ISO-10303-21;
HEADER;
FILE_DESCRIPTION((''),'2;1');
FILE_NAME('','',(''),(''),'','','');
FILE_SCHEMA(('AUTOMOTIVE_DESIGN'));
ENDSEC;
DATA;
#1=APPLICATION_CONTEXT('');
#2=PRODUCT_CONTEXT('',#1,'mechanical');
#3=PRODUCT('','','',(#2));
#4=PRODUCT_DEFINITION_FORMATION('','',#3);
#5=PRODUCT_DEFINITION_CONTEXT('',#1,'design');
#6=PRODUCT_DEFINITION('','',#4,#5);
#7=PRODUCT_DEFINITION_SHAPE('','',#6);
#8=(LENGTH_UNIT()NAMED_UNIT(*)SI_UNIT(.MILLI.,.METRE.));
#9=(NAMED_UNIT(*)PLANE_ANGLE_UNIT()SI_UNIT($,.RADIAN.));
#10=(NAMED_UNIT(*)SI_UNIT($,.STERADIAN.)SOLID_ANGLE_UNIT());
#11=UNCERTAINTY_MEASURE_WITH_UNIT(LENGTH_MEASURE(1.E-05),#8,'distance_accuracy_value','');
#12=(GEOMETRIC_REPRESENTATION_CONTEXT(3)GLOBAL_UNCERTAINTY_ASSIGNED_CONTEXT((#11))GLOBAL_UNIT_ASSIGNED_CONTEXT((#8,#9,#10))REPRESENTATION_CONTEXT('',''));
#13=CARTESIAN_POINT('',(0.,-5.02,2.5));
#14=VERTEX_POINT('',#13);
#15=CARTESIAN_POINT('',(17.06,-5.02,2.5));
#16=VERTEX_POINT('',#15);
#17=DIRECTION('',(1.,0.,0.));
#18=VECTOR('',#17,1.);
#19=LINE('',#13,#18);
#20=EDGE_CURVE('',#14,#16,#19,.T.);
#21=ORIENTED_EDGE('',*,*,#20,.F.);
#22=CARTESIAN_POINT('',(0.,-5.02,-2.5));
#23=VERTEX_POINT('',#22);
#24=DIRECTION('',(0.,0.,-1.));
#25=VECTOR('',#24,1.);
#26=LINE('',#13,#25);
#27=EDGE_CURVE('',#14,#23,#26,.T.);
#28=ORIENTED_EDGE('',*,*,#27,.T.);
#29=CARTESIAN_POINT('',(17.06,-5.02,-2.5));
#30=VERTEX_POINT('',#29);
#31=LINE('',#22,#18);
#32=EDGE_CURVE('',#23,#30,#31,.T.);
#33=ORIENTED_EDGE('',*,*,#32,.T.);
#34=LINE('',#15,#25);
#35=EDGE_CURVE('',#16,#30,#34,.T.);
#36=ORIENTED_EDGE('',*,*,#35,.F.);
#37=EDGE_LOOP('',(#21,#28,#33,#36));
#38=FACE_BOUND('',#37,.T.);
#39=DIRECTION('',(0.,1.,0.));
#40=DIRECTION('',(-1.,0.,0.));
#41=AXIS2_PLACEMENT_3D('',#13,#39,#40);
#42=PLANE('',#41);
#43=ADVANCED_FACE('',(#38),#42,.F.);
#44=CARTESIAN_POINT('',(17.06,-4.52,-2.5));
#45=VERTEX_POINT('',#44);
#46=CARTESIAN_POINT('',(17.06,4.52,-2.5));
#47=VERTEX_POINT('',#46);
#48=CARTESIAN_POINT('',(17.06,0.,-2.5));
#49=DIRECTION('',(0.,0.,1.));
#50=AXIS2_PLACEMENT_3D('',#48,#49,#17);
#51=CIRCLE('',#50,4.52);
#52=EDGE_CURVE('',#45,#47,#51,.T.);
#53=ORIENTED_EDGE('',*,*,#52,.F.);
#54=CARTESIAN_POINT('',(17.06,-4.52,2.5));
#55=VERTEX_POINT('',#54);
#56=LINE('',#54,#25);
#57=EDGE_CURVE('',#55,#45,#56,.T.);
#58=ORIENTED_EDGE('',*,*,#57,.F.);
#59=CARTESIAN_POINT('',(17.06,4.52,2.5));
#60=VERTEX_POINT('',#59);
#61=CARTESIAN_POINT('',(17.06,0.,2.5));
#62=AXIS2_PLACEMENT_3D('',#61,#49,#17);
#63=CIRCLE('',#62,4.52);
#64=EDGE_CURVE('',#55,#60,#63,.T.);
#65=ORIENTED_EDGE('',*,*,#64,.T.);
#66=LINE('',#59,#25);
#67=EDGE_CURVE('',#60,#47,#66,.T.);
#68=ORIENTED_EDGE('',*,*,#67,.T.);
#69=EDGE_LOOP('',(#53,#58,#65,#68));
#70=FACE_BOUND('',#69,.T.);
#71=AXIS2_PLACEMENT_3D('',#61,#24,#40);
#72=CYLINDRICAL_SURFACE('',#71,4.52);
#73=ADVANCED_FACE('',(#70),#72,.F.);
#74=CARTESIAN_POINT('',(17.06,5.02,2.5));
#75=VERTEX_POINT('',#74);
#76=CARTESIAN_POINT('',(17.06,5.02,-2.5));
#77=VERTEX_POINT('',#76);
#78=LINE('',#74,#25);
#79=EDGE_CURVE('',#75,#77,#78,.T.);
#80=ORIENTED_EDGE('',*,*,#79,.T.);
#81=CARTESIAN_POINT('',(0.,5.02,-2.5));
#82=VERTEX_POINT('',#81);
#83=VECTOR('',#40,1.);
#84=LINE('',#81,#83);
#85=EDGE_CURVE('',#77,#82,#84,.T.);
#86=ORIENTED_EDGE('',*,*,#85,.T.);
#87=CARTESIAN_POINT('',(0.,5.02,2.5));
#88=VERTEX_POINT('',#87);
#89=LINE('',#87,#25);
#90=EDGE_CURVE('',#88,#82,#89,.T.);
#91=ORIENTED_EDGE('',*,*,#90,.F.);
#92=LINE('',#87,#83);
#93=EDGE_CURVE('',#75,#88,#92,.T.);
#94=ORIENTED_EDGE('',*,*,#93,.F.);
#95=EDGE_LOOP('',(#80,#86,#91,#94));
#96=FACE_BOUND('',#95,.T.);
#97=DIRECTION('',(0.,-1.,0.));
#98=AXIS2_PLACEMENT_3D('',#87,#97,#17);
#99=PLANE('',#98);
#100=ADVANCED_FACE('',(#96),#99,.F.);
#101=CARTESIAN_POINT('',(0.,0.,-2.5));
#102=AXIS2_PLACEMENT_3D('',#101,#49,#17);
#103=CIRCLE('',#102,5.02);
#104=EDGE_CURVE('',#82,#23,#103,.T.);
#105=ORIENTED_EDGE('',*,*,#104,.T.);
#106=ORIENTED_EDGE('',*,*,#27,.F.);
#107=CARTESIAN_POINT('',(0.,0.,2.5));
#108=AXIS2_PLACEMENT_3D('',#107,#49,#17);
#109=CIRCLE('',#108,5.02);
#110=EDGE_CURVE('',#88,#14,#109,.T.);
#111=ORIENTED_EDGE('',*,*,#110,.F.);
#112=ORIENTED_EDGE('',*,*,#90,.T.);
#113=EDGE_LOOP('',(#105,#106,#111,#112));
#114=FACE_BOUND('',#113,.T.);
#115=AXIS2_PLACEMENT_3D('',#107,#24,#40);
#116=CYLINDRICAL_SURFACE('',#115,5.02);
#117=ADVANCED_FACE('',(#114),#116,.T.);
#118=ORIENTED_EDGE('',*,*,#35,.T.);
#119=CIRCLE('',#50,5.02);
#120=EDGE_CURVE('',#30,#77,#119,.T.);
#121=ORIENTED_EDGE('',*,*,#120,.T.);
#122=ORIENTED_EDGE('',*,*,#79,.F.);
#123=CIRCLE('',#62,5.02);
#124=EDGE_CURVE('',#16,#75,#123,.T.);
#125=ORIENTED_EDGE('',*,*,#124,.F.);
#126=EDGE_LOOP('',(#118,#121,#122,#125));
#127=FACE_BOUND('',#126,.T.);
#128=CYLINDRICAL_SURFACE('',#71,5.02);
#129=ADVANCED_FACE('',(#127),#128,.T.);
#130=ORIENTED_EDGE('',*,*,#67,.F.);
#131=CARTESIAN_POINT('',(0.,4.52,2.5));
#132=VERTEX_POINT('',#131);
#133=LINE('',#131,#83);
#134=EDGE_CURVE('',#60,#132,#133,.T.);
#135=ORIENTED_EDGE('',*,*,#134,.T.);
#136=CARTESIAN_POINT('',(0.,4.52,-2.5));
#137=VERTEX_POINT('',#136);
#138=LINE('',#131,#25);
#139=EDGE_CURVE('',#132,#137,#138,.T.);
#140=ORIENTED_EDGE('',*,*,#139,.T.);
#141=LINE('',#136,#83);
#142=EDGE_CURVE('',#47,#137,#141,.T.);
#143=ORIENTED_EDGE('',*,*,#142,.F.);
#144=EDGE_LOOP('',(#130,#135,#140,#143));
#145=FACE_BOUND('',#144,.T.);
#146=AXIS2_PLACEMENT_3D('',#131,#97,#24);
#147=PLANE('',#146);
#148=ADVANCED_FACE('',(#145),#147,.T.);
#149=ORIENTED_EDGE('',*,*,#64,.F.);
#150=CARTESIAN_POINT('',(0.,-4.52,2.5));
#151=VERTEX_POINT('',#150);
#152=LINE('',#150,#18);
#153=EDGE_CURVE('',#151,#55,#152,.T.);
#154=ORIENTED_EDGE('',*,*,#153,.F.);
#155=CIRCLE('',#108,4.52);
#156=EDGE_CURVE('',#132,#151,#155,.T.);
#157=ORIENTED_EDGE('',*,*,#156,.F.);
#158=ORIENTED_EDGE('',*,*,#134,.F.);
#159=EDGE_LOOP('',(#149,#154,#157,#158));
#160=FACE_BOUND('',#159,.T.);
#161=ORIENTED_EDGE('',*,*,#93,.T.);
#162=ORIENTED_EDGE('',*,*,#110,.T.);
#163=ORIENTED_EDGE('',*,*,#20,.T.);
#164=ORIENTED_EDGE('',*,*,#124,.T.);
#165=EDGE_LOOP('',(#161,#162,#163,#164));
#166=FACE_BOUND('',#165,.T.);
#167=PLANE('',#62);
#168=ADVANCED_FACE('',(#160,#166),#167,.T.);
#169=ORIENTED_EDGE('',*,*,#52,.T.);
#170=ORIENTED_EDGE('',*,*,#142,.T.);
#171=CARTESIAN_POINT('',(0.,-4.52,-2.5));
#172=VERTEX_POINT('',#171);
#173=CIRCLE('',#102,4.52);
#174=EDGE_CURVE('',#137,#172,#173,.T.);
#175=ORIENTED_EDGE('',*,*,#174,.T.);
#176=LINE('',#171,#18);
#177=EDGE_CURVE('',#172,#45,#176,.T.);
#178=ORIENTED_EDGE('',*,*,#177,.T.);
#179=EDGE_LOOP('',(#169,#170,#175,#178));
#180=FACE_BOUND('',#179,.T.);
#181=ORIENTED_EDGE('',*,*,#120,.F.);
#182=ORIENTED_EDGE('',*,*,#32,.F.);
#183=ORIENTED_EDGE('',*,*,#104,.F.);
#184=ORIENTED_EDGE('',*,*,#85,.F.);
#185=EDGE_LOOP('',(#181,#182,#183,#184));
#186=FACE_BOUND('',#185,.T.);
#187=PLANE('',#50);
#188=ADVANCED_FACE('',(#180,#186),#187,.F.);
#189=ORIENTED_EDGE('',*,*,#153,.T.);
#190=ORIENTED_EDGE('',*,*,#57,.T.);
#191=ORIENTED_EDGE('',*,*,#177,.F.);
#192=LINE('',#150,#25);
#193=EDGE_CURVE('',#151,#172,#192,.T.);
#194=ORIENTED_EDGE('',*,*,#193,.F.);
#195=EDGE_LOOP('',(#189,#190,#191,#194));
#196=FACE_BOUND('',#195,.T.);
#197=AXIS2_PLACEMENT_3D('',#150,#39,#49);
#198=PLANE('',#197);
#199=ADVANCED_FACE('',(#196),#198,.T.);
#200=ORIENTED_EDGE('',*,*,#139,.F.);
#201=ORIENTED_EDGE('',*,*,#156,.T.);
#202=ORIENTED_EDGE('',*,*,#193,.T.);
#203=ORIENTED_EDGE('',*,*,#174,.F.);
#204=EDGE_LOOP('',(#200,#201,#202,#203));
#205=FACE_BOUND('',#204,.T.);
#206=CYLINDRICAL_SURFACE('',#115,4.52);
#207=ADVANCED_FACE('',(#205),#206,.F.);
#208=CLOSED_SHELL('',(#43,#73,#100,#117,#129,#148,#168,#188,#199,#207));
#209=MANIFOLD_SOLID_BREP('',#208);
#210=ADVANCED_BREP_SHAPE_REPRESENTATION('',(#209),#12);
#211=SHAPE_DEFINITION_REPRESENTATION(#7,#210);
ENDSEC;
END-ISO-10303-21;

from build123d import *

# Parameters (mm, degrees)
AUFSATZ_LINEAR_AUSTRAGEN1_DEPTH = 2.5


with BuildPart() as part:
    # Skizze1 → Aufsatz-Linear austragen1 (new, symmetric)
    with BuildSketch(Plane.XY):
        with BuildLine():
            Line((0, 5.02), (17.06, 5.02))
            ThreePointArc((17.06, 5.02), (22.08, 0), (17.06, -5.02))
            Line((17.06, -5.02), (0, -5.02))
            ThreePointArc((0, -5.02), (-5.02, 0), (0, 5.02))
        make_face()
        with BuildLine():
            Line((0, 4.52), (17.06, 4.52))
            ThreePointArc((17.06, 4.52), (21.58, 0), (17.06, -4.52))
            Line((17.06, -4.52), (0, -4.52))
            ThreePointArc((0, -4.52), (-4.52, 0), (0, 4.52))
        make_face(mode=Mode.SUBTRACT)
    extrude(amount=AUFSATZ_LINEAR_AUSTRAGEN1_DEPTH, both=True)


solid = part.part
